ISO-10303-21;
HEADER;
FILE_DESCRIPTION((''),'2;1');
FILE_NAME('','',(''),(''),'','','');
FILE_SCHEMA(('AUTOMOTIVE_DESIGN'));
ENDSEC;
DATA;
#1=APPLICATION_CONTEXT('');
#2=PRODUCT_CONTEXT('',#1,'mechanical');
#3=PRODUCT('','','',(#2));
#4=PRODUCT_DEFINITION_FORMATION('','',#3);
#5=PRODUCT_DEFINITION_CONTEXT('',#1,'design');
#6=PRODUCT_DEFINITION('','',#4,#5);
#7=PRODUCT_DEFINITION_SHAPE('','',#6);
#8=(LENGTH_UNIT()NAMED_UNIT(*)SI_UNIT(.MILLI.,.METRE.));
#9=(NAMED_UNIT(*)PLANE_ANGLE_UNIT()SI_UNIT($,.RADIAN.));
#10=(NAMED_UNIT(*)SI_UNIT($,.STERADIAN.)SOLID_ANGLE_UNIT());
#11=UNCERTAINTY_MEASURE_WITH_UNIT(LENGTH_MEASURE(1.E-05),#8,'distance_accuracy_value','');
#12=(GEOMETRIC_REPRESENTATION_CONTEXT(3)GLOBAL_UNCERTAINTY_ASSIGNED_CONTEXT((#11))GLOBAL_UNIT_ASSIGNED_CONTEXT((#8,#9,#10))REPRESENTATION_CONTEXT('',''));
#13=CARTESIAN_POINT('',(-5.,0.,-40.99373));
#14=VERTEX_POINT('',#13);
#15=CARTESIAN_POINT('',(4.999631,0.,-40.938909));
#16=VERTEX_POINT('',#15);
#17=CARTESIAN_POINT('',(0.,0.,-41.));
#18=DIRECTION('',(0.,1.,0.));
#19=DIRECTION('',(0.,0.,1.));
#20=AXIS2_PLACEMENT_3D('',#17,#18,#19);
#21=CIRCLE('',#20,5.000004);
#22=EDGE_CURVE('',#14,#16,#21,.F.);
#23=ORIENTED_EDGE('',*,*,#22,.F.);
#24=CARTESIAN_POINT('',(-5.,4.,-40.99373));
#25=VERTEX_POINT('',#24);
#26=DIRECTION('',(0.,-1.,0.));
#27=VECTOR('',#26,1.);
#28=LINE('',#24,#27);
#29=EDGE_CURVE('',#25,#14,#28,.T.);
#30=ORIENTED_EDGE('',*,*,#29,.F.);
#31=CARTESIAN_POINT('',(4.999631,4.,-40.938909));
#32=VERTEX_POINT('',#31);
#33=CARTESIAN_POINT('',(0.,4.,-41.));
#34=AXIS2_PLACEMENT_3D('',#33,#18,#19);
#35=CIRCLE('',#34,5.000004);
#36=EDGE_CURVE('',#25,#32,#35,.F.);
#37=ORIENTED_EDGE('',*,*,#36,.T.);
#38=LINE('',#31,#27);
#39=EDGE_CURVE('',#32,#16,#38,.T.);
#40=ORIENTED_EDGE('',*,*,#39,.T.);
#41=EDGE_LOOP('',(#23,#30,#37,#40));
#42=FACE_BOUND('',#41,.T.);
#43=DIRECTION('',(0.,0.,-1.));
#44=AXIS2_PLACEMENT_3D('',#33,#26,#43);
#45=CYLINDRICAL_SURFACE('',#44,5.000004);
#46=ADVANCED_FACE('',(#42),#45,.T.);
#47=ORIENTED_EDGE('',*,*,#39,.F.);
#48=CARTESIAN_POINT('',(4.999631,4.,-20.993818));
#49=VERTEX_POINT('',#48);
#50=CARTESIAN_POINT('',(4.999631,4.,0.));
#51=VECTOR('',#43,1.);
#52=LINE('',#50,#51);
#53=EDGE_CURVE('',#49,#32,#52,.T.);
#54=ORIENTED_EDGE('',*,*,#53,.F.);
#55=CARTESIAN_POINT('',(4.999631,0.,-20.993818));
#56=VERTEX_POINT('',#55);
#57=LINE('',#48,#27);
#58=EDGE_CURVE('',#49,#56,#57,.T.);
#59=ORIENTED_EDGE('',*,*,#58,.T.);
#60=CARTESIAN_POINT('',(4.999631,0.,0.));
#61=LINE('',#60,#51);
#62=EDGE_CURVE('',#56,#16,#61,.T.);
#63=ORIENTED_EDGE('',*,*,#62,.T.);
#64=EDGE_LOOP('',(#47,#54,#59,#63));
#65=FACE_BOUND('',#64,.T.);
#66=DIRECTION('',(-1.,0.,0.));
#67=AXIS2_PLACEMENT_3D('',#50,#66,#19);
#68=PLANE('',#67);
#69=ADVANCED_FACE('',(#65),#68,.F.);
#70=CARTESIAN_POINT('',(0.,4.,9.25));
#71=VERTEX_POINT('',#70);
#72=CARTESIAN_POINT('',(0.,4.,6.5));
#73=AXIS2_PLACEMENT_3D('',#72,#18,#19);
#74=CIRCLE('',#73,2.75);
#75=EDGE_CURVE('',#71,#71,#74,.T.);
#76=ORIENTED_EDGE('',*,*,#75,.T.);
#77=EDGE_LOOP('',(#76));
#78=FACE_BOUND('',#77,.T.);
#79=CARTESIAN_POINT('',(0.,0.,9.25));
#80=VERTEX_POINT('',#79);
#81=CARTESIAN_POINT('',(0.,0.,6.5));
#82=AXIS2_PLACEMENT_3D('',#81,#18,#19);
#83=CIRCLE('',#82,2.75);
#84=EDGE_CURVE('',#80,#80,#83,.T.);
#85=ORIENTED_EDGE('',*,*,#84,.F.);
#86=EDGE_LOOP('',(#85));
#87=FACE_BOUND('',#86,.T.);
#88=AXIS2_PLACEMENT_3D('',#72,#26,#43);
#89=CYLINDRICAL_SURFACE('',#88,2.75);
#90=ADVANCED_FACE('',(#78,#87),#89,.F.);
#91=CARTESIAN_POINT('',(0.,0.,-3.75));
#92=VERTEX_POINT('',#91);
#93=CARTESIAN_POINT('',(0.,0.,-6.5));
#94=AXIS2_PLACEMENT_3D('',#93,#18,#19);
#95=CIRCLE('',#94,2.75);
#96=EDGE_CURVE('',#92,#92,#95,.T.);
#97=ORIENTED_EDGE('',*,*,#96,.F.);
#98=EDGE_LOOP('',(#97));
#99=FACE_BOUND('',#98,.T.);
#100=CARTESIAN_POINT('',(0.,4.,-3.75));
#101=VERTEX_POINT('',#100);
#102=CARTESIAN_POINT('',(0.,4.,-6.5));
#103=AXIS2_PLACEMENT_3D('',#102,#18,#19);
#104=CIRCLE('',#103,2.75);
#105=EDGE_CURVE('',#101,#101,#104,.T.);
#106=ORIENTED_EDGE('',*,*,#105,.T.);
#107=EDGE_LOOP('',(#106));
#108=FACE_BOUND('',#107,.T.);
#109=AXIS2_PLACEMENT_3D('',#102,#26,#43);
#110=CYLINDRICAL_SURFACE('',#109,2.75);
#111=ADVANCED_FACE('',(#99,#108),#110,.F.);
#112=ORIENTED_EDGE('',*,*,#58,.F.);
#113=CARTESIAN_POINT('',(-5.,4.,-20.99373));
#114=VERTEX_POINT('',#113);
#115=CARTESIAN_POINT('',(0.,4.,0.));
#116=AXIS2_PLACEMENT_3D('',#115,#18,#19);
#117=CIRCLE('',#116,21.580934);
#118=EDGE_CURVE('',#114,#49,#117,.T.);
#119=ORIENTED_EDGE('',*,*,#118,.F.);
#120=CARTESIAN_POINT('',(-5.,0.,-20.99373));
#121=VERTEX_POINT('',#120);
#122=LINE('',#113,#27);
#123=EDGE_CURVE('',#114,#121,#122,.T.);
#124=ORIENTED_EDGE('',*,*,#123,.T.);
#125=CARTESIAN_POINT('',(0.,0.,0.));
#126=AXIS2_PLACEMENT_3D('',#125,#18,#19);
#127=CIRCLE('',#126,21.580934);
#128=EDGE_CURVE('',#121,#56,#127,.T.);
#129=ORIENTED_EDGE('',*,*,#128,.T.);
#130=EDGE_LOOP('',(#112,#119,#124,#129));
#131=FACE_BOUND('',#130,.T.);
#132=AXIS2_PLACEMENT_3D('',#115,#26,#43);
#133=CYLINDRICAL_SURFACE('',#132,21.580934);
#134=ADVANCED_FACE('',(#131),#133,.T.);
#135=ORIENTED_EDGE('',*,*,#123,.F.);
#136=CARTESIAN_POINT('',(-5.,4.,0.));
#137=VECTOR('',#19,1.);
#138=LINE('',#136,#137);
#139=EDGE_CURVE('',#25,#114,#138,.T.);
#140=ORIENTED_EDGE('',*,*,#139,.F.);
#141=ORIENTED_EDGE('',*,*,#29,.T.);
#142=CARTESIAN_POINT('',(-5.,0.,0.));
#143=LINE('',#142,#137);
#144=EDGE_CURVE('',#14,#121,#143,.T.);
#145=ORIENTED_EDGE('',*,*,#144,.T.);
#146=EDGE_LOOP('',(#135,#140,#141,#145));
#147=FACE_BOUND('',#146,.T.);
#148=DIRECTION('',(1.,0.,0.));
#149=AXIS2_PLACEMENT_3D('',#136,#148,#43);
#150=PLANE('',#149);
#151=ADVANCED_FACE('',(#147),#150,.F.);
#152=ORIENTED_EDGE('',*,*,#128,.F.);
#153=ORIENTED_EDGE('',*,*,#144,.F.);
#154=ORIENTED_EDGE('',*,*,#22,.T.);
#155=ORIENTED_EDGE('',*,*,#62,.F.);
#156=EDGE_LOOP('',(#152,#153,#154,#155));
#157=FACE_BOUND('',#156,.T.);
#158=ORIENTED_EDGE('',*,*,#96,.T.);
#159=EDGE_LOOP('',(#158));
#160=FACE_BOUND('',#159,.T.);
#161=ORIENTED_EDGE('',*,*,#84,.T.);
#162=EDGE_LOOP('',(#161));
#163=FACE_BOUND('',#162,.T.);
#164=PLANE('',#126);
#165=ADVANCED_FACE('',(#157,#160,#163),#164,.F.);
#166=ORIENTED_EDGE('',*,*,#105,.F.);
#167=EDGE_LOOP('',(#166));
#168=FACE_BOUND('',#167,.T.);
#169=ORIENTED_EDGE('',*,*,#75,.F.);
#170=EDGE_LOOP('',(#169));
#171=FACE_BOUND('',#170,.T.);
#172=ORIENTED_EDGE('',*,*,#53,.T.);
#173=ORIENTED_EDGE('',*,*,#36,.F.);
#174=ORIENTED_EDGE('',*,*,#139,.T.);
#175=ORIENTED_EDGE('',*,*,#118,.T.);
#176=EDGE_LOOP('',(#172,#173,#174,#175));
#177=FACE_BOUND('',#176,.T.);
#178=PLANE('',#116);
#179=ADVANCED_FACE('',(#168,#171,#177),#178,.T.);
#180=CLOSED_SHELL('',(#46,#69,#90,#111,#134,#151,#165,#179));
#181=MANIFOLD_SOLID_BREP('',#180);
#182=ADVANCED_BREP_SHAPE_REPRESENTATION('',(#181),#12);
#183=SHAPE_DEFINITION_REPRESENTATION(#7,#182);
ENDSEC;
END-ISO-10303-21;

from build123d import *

# Parameters (mm, degrees)
SKETCH1_R           = 2.75
BOSS_EXTRUDE1_DEPTH = 4


with BuildPart() as part:
    # Sketch1 → Boss-Extrude1 (new body)
    with BuildSketch(Plane(origin=(0, 0, 0), x_dir=(1, 0, 0), z_dir=(0, 1, 0))):
        with BuildLine():
            Line((-5, 40.993730005), (-5, 20.993730005))
            ThreePointArc((-5, 20.993730005), (0.000189813, -21.580933703), (4.999630703, 20.993817955))
            Line((4.999630703, 20.993817955), (4.999630703, 40.938908708))
            ThreePointArc((4.999630703, 40.938908708), (0.02741127, 45.999928793), (-5, 40.993730005))
        make_face()
        with Locations((0, -6.5)):
            Circle(SKETCH1_R, mode=Mode.SUBTRACT)
        with Locations((0, 6.5)):
            Circle(SKETCH1_R, mode=Mode.SUBTRACT)
    extrude(amount=BOSS_EXTRUDE1_DEPTH)


solid = part.part
